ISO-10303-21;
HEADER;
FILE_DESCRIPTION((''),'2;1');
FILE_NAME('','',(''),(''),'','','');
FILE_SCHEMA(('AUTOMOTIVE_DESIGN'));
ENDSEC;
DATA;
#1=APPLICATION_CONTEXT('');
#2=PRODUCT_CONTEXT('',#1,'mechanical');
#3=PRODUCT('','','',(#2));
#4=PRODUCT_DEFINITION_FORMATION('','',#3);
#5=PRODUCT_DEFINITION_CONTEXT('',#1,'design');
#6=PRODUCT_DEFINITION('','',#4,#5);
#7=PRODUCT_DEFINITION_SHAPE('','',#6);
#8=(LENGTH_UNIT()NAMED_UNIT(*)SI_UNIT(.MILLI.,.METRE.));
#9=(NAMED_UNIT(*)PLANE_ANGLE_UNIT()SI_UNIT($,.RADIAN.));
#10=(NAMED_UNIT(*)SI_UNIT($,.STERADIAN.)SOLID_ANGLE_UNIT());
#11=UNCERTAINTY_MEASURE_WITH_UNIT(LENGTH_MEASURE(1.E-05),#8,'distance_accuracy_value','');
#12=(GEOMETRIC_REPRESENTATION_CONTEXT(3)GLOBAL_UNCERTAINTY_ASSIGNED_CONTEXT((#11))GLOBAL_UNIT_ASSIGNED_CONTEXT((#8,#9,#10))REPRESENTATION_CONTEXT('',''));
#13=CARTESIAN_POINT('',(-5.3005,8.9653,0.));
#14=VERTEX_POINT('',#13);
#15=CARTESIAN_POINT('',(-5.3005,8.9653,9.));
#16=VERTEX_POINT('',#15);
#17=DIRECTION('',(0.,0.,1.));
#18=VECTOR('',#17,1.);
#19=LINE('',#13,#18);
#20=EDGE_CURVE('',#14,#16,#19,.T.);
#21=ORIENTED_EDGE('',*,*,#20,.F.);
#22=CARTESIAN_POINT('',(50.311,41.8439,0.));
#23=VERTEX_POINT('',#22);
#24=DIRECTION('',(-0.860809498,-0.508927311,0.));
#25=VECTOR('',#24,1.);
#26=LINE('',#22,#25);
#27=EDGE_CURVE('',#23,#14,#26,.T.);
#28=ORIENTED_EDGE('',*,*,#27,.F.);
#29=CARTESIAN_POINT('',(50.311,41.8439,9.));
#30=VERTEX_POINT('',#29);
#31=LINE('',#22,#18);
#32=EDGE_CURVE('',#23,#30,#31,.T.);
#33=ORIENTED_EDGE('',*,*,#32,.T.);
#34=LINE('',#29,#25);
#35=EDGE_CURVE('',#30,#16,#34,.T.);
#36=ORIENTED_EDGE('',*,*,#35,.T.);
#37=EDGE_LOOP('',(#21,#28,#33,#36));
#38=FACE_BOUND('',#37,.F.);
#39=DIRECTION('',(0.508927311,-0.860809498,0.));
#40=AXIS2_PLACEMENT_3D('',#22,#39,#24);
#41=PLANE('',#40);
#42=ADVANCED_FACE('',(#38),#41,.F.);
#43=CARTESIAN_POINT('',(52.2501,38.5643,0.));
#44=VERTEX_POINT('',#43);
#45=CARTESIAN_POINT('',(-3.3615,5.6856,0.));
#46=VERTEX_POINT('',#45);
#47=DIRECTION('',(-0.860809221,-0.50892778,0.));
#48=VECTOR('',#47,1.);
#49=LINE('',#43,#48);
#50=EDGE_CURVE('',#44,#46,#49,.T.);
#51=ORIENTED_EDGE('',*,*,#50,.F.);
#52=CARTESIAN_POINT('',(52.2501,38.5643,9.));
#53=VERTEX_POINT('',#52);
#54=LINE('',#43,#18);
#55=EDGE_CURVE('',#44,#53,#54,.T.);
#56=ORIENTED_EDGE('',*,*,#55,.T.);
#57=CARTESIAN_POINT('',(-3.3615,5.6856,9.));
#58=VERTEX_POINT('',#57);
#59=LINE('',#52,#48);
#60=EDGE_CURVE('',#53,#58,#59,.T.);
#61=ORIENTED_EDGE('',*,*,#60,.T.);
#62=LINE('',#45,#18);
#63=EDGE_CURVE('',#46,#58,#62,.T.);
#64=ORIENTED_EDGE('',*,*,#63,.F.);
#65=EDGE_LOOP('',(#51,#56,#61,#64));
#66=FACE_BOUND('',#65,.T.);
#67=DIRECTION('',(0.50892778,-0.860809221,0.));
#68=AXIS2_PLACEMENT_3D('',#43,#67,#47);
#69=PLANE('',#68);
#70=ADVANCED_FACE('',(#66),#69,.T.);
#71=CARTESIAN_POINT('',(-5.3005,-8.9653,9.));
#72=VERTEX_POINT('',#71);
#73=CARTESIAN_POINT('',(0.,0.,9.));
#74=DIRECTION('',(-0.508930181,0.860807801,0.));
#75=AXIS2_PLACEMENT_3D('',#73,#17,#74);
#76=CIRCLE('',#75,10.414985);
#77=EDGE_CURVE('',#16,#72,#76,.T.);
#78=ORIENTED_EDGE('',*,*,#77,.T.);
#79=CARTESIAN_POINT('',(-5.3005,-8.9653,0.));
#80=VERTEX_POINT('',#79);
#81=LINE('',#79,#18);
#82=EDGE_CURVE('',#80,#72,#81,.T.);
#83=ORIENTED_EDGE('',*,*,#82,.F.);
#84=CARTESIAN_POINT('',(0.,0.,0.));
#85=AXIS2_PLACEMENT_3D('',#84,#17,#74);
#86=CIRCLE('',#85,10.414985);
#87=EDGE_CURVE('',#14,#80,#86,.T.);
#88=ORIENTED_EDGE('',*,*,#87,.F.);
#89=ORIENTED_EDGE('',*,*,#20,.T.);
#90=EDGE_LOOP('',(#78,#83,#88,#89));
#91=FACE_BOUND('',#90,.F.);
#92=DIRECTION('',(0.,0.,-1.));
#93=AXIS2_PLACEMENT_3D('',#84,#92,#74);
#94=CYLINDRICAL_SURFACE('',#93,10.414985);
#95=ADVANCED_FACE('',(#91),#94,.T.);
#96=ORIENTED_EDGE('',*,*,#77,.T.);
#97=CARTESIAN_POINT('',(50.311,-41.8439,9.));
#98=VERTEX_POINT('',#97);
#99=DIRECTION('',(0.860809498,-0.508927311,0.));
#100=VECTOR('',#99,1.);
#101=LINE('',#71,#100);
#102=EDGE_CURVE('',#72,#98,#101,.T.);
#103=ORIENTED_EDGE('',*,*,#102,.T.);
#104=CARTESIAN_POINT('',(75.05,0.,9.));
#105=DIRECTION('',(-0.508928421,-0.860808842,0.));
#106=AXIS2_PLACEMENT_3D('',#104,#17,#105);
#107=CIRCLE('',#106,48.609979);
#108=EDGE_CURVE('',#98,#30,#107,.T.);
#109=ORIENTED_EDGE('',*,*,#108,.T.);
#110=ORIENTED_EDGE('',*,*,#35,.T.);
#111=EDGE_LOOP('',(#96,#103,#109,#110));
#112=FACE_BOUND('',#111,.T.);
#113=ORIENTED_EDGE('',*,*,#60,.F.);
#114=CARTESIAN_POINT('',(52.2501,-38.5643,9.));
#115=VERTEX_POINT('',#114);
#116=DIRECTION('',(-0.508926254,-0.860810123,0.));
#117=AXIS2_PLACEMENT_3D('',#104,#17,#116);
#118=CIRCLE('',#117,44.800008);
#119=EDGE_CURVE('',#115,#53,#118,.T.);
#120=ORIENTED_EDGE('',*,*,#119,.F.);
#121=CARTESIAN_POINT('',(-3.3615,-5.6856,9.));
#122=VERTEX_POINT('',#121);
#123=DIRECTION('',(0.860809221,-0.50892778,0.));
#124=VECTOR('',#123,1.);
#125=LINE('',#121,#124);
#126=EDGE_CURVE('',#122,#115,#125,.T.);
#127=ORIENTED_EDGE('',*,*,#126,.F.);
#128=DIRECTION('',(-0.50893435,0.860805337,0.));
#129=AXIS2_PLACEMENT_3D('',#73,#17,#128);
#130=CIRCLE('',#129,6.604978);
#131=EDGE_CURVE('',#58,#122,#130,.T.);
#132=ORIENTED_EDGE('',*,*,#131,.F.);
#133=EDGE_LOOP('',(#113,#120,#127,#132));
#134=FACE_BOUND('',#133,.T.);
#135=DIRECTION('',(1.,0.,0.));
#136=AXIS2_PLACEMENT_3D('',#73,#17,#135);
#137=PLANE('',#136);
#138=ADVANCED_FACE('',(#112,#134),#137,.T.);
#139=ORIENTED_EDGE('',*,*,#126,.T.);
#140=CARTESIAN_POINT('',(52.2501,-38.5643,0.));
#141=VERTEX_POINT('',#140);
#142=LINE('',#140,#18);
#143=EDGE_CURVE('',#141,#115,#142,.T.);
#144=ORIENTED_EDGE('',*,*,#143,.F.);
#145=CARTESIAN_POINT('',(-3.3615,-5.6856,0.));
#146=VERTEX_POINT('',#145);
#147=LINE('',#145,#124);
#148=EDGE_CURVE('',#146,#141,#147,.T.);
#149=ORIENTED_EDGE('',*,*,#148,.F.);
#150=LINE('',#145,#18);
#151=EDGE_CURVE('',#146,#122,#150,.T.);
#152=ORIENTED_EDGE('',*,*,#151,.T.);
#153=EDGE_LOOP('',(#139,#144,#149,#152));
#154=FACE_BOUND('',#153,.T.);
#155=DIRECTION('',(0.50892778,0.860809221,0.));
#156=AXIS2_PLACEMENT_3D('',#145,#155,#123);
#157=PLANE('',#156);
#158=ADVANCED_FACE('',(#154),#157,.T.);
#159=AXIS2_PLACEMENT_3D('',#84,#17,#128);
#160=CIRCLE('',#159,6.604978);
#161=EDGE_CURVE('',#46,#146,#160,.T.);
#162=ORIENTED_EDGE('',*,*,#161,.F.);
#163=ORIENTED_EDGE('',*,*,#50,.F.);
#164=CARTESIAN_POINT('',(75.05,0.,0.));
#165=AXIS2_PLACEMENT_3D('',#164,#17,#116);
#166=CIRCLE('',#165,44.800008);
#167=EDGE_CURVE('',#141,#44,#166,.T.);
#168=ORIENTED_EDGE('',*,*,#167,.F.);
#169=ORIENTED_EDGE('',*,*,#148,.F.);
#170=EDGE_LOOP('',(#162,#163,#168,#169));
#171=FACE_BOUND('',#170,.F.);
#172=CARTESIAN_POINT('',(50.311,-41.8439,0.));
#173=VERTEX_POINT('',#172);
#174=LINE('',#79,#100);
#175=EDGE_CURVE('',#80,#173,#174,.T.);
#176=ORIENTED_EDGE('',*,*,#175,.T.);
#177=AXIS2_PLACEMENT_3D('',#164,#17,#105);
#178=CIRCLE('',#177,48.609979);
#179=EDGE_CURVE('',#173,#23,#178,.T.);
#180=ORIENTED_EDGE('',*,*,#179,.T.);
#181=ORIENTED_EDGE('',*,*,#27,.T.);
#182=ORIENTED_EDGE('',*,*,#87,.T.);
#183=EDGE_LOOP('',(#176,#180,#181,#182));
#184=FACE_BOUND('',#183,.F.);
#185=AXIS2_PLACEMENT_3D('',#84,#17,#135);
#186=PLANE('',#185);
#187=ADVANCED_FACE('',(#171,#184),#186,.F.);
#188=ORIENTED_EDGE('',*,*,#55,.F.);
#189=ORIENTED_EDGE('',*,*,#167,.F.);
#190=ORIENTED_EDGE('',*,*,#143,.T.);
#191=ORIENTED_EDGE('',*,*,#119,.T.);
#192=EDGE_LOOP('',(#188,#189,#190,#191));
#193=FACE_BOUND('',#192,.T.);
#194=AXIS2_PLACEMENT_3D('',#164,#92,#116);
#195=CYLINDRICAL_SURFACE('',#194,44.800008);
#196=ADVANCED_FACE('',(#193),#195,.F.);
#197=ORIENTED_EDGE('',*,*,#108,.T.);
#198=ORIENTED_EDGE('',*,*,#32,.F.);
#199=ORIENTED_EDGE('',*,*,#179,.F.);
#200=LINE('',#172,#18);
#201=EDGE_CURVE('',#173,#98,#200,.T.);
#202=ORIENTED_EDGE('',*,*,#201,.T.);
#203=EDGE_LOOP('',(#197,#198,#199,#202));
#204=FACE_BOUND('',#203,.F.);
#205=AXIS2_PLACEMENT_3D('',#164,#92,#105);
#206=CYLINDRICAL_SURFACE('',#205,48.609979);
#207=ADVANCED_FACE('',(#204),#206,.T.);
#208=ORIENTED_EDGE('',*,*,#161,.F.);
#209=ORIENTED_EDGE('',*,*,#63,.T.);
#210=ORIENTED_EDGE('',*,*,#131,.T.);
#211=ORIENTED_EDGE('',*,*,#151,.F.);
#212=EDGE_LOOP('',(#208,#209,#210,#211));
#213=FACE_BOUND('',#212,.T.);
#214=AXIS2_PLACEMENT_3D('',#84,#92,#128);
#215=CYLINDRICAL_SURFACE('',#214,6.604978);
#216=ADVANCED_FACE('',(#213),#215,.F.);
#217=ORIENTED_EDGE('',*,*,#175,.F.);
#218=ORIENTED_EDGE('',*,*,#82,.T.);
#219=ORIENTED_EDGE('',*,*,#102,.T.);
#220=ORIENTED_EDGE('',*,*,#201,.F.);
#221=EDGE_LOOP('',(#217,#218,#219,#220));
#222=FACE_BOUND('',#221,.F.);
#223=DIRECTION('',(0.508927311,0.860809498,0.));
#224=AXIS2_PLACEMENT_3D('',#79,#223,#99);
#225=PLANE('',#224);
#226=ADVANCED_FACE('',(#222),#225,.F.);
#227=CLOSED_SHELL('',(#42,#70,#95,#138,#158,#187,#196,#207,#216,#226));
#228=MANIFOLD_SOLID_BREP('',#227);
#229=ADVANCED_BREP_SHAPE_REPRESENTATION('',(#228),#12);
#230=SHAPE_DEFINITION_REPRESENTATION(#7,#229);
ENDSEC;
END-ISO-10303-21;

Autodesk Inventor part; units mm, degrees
ref_plane "YZ Plane" through (0, 0, 0) normal (1, 0, 0) x (0, 1, 0)
ref_plane "XZ Plane" through (0, 0, 0) normal (0, 1, 0) x (-1, 0, 0)
ref_plane "XY Plane" through (0, 0, 0) normal (0, 0, 1) x (1, 0, 0)
sketch "Sketch1" plane through (0, 0, 0) normal (0, 0, 1) x (1, 0, 0)
  circle A0 centre (0, 0) radius 9.55 construction
  circle A1 centre (75.05, 0) radius 47.745 construction
  line L0 (-4.8603, 8.2207) -> (50.7513, 41.0993)
  line L1 (-4.8603, -8.2207) -> (50.7513, -41.0993)
  arc A2 (-4.8603, 8.2207) -> (-4.8603, -8.2207) centre (0, 0) ccw
  arc A3 (50.7513, -41.0993) -> (50.7513, 41.0993) centre (75.05, 0) ccw
  line L2 (52.2501, 38.5643) -> (-3.3615, 5.6856)
  arc A4 (-3.3615, 5.6856) -> (-3.3615, -5.6856) centre (0, 0) ccw
  line L3 (-3.3615, -5.6856) -> (52.2501, -38.5643)
  arc A5 (52.2501, -38.5643) -> (52.2501, 38.5643) centre (75.05, 0) ccw
  line L4 (50.311, 41.8439) -> (-5.3005, 8.9653)
  arc A6 (-5.3005, 8.9653) -> (-5.3005, -8.9653) centre (0, 0) ccw
  line L5 (-5.3005, -8.9653) -> (50.311, -41.8439)
  arc A7 (50.311, -41.8439) -> (50.311, 41.8439) centre (75.05, 0) ccw
  dimension "d0" = 19.1
  dimension "d1" = 95.49
  dimension "d2" = 75.05
  dimension "d6" = 2.945
  dimension "d7" = 3.81
extrude "Extrusion1" add sketch "Sketch1" along normal blind 9 contours L0 A3 L1 A2 | A7 L5 A6 L4
properties part number "Belt" material "Rubber"
